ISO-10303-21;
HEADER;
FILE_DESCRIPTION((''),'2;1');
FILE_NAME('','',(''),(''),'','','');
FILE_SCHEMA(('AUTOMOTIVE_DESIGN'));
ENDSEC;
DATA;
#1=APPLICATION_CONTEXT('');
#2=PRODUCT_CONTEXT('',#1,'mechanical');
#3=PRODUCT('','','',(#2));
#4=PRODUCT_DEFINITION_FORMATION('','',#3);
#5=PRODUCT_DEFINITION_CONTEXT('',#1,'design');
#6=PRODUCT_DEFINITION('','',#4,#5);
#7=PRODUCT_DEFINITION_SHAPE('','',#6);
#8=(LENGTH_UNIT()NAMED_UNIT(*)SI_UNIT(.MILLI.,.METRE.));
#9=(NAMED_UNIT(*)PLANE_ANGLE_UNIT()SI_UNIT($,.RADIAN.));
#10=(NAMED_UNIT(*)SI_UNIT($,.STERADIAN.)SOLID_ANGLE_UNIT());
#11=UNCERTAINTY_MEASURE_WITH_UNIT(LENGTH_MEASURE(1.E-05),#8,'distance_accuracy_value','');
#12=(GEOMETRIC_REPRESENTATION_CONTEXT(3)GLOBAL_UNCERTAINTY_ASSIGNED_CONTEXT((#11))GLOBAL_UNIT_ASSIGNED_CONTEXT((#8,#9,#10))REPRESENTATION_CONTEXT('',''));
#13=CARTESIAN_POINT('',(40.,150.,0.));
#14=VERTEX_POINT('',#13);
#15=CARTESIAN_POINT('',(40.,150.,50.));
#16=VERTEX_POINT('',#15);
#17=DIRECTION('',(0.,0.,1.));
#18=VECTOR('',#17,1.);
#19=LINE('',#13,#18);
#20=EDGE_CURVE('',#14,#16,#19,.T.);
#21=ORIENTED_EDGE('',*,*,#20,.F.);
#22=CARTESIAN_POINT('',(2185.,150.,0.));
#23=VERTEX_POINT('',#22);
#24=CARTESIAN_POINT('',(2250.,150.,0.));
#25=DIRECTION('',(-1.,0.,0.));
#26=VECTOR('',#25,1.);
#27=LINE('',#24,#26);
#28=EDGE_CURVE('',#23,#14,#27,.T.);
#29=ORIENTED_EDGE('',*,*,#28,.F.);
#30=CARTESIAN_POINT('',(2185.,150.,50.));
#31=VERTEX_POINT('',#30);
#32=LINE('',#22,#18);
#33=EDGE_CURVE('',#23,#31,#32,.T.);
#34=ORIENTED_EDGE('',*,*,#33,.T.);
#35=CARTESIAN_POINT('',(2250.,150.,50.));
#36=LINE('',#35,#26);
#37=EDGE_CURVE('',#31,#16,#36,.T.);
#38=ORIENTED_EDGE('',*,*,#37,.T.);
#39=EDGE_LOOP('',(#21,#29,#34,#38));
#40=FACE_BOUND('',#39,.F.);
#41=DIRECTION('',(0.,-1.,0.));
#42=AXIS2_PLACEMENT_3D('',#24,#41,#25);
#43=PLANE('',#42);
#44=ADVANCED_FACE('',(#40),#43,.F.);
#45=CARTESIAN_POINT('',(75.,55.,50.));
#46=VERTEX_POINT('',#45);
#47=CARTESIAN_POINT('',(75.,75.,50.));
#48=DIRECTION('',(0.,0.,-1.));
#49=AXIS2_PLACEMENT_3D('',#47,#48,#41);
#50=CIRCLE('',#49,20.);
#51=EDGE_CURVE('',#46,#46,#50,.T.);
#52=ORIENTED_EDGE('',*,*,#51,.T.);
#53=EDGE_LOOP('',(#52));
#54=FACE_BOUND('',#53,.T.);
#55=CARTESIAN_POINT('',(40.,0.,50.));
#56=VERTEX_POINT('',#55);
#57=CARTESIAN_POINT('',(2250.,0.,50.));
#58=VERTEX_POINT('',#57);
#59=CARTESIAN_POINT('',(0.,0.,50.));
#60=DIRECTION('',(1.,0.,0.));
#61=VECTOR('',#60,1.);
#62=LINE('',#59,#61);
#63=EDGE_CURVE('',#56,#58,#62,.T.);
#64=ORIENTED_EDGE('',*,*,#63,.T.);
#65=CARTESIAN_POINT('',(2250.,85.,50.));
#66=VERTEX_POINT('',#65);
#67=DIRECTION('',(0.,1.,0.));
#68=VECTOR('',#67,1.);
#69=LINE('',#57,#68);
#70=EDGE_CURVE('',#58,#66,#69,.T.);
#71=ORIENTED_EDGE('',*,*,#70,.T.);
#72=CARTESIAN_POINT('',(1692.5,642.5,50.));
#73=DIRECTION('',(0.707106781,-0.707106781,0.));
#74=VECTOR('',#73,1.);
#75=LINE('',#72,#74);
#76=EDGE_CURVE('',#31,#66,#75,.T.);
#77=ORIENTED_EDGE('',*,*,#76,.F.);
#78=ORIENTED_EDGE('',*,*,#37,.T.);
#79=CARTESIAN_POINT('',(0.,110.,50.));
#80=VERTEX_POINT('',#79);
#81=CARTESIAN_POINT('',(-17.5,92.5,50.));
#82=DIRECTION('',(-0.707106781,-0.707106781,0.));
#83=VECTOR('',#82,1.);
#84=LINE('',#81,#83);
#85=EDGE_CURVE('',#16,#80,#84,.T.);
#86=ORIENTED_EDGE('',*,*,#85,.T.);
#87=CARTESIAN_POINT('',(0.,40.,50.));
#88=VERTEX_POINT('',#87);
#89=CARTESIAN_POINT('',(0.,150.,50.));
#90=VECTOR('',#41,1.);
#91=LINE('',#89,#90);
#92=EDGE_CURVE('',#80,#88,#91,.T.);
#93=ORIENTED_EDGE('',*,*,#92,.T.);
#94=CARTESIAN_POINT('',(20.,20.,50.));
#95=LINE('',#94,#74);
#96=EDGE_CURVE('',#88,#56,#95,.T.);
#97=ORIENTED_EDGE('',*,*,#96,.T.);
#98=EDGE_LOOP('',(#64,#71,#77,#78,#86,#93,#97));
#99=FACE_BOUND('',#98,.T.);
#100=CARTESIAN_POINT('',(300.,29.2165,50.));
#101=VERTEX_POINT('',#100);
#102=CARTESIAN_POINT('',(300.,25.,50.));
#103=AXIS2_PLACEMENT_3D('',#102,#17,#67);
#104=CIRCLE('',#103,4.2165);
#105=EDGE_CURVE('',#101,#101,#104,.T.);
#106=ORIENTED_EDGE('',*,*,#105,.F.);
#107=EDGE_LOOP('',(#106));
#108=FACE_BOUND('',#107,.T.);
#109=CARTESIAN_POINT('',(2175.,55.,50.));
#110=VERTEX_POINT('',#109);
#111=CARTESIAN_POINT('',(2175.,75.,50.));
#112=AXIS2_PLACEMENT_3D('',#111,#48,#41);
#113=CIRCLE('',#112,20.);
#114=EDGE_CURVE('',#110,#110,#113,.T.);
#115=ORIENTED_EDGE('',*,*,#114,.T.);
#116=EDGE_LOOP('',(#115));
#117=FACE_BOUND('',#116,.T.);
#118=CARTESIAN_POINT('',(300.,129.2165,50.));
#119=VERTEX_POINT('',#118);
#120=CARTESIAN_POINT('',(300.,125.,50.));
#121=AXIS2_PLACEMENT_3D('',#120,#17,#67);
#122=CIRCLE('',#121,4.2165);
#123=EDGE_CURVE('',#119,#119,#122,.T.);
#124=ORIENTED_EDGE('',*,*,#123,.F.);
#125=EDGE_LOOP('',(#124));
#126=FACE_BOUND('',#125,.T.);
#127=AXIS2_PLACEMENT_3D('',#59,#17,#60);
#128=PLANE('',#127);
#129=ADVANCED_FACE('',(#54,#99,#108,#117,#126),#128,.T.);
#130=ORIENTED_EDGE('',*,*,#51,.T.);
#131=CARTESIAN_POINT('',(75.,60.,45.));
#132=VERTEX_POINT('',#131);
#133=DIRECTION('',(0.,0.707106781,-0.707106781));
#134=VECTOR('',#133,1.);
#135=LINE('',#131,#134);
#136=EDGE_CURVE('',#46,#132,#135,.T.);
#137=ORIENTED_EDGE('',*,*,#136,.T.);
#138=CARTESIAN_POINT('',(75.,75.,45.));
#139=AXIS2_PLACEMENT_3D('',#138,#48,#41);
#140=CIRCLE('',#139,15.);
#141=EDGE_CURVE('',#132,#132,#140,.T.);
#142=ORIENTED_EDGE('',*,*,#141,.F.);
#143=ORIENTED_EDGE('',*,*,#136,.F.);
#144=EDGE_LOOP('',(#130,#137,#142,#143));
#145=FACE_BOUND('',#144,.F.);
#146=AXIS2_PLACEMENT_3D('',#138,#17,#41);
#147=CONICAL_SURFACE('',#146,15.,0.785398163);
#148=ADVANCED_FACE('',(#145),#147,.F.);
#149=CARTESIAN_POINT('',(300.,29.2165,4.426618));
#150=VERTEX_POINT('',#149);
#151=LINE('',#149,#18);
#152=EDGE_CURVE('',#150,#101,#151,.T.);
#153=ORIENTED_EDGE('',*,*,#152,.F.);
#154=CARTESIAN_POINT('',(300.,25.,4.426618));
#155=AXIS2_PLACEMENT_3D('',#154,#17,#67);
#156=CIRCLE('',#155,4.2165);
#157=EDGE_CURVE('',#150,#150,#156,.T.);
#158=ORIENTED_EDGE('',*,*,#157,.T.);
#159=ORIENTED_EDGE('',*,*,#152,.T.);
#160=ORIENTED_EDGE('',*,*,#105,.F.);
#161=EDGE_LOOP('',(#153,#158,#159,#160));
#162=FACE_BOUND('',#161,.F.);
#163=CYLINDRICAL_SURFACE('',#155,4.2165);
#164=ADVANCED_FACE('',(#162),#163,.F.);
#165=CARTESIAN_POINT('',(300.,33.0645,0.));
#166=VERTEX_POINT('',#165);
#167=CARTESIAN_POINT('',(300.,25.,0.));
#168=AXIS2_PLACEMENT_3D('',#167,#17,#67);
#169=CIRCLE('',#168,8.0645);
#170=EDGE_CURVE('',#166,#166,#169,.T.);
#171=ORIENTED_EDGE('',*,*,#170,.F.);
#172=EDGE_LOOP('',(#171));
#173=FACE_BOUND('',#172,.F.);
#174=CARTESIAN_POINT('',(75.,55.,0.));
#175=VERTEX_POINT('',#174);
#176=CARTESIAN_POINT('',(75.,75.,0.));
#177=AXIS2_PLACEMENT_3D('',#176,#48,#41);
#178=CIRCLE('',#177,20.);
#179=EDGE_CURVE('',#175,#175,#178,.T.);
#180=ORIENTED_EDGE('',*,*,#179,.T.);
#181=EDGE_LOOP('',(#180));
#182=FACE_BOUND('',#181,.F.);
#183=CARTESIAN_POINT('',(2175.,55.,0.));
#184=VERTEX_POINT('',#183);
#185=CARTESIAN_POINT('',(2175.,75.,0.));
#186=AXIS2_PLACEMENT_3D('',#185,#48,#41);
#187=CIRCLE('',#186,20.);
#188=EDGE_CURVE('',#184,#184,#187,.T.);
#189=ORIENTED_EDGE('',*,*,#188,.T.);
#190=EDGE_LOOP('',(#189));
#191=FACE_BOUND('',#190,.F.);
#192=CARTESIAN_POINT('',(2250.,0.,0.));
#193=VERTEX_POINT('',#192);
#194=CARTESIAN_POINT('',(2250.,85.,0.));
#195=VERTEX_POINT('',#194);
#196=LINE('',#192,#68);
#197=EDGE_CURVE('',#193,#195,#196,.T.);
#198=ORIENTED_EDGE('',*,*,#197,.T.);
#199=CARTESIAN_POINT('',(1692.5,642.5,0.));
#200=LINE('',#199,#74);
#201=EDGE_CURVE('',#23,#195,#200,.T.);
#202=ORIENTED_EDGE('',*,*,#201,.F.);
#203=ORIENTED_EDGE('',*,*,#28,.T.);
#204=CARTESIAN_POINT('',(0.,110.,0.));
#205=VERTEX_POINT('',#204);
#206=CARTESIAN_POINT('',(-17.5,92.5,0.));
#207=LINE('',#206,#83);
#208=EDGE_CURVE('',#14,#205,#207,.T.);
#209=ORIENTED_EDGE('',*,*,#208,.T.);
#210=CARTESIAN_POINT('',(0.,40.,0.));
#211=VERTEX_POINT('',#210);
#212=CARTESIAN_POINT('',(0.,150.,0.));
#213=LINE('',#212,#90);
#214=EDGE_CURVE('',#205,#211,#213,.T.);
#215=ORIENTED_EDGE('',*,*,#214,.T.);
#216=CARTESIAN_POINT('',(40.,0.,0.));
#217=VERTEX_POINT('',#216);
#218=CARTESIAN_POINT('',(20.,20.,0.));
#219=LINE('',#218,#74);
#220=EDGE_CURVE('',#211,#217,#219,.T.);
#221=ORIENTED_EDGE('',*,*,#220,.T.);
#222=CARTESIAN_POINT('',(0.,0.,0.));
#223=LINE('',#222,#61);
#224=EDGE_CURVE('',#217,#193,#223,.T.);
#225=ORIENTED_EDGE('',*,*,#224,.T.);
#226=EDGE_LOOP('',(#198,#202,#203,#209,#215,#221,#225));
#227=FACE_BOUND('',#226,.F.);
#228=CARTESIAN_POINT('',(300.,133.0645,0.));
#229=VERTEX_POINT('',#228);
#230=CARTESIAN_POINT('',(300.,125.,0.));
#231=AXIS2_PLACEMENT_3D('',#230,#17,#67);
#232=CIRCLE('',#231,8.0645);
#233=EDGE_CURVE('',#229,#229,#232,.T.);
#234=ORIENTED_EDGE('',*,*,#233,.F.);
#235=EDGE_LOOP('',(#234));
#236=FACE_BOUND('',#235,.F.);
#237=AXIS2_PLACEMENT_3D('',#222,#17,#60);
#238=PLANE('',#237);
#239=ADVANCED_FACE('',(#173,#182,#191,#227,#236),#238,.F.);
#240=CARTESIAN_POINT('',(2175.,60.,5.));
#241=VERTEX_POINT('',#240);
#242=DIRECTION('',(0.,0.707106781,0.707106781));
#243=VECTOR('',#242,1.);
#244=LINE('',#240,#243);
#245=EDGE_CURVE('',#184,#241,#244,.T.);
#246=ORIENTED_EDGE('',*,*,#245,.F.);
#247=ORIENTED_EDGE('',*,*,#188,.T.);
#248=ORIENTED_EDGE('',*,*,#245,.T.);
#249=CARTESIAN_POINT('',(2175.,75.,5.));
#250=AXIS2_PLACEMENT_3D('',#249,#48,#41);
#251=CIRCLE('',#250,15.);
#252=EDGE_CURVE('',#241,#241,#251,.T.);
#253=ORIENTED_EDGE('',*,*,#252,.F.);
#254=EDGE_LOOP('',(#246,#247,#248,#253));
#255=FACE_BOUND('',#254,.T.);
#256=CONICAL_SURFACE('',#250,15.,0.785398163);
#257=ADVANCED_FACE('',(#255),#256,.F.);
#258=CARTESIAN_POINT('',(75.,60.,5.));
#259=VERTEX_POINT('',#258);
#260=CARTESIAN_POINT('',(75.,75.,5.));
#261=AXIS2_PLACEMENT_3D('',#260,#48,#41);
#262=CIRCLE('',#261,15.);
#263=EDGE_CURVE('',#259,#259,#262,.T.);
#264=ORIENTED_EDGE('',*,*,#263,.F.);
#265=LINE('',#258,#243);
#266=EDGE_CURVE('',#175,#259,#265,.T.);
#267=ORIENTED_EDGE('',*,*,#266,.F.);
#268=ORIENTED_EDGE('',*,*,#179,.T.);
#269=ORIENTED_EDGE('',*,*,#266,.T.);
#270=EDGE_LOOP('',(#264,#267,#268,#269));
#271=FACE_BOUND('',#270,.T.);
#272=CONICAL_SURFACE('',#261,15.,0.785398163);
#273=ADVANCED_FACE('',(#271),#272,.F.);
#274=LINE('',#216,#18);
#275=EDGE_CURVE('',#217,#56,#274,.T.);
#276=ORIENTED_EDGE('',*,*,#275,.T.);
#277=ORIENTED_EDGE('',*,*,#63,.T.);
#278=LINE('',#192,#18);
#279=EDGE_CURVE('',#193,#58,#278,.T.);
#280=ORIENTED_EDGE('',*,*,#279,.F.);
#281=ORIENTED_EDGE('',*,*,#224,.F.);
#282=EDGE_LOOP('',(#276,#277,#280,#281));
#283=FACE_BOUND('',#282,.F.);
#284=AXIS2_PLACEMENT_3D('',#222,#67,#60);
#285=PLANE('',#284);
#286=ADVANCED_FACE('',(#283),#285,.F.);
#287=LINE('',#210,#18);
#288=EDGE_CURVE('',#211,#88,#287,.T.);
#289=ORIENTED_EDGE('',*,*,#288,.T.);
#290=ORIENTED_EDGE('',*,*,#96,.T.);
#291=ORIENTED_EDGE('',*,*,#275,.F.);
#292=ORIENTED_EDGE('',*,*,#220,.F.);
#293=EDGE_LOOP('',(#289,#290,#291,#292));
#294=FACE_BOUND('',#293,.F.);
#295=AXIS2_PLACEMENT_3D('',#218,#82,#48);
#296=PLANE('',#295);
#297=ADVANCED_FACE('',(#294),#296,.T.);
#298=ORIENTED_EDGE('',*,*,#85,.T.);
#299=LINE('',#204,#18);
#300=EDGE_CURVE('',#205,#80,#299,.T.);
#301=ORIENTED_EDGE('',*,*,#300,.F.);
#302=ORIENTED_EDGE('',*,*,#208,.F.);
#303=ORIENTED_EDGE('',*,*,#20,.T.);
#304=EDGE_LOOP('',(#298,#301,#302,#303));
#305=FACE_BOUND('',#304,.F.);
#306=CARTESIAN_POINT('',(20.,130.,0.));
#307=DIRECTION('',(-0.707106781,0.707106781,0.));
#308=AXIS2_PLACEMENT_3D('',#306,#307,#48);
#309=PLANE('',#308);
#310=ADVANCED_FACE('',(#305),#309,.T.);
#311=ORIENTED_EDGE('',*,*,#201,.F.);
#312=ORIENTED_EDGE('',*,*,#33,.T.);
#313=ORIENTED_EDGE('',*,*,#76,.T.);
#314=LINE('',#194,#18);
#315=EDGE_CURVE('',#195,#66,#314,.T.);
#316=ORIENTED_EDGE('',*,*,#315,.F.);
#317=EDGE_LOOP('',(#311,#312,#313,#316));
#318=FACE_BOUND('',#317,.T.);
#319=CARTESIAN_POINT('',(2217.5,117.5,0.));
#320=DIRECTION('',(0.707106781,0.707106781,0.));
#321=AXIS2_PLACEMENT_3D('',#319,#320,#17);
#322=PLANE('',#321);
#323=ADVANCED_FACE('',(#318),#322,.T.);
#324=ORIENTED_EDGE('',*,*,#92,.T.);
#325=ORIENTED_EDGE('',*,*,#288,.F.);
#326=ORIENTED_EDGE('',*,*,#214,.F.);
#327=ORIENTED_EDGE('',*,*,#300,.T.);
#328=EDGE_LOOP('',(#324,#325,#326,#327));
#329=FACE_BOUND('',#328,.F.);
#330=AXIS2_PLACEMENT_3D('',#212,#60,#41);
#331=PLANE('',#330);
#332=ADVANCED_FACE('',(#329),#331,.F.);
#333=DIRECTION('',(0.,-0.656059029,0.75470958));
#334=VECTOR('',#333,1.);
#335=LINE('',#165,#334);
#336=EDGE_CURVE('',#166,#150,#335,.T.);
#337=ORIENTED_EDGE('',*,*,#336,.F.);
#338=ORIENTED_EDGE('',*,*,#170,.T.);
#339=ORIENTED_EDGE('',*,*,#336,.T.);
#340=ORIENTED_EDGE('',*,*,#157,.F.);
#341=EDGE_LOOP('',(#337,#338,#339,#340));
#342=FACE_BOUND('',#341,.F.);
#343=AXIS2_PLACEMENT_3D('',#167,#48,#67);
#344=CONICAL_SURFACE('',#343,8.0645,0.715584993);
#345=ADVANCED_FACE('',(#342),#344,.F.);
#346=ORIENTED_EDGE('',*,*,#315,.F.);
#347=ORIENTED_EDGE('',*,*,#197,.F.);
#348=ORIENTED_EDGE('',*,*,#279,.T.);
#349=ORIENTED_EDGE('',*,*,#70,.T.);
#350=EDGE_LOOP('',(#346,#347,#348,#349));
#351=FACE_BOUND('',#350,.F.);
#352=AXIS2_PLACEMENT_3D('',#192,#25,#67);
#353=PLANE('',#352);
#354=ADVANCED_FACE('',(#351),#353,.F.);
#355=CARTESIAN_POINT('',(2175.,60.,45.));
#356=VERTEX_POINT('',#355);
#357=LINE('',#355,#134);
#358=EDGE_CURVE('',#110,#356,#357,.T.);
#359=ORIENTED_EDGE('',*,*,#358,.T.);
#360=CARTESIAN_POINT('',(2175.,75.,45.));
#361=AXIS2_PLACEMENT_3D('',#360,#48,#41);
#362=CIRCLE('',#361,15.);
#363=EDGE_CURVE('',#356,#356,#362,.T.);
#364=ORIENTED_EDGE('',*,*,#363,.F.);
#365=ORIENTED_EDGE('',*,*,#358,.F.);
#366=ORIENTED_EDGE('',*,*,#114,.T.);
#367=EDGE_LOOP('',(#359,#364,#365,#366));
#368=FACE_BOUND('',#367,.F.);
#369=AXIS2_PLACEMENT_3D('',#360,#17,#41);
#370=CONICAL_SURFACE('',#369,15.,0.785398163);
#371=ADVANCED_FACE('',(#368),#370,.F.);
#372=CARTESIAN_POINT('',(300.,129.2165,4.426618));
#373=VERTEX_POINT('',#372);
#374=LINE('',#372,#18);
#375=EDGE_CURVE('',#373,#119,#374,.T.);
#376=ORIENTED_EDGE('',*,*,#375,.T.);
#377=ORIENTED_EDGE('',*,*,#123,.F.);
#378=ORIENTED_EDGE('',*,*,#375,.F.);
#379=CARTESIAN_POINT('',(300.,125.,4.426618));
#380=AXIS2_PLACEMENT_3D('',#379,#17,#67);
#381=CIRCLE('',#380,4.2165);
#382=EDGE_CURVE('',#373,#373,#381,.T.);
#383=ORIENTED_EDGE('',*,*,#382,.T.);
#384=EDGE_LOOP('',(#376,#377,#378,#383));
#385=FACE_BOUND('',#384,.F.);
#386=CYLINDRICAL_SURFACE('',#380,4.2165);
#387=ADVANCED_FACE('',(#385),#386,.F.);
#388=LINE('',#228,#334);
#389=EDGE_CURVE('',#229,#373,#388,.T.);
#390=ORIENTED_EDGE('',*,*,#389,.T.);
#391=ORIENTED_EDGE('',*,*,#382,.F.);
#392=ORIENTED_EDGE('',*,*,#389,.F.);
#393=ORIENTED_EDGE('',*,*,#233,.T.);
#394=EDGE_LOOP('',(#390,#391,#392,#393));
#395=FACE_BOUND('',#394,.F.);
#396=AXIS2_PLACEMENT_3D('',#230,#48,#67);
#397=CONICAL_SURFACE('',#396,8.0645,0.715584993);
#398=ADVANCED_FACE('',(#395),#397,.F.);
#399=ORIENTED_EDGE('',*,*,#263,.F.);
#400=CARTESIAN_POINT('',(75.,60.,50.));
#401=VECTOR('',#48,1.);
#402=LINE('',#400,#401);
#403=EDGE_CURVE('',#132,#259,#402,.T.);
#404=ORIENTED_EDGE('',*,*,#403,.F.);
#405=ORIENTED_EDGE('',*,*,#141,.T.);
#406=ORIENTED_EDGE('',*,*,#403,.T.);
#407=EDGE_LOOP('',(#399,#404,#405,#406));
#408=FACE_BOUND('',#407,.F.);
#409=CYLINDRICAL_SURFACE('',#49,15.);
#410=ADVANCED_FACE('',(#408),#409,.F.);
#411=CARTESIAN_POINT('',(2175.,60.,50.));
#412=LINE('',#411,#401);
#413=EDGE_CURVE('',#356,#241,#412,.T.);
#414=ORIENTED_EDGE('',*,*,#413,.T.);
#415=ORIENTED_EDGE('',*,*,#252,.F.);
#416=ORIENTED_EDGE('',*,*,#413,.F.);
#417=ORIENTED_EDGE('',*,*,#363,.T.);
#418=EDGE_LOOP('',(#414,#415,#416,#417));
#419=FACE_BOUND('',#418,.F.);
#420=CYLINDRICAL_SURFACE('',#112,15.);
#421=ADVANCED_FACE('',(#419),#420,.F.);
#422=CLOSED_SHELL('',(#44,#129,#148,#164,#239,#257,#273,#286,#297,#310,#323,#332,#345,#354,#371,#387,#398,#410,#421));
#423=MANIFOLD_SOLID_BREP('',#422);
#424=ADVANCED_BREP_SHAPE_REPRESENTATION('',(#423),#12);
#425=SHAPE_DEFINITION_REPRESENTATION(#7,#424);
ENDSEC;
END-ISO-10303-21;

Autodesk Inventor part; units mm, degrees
ref_plane "YZ Plane" through (0, 0, 0) normal (1, 0, 0) x (0, 1, 0)
ref_plane "XZ Plane" through (0, 0, 0) normal (0, 1, 0) x (-1, 0, 0)
ref_plane "XY Plane" through (0, 0, 0) normal (0, 0, 1) x (1, 0, 0)
sketch "Sketch1" plane through (0, 0, 0) normal (0, 0, 1) x (1, 0, 0)
  line L0 (0, 0) -> (2250, 0)
  line L1 (2250, 0) -> (2250, 150)
  line L2 (2250, 150) -> (0, 150)
  line L3 (0, 150) -> (0, 0)
  dimension "d0" = 150
  dimension "d1" = 2250
extrude "Extrusion1" add sketch "Sketch1" along normal blind 50
sketch "Sketch2" plane through (0, 0, 50) normal (0, 0, 1) x (1, 0, 0)
  line L0 (0, 150) -> (0, 0) projected
  line L1 (2250, 0) -> (2250, 150) projected
  point P0 (75, 75)
  point P1 (2175, 75)
  point P2 (0, 75)
  dimension "d4" = 75
  dimension "d5" = 75
hole "Hole1" at (75, 75, 50) at (2175, 75, 50) direction (0, 0, -1) diameter 30 end through all
chamfer "Chamfer1" distance 5 angle 45 4 edges at (75, 90, 50) (2175, 90, 50) (75, 90, 0) (2175, 90, 0)
chamfer "Chamfer2" distance 65 angle 45 1 edges at (2250, 150, 25) measured on face at (2250, 50, 16.6667)
chamfer "Chamfer3" distance 40 angle 45 2 edges at (0, 150, 25) (0, 0, 25)
sketch "Sketch3" plane through (0, 0, 0) normal (0, 0, -1) x (-1, 0, 0)
  line L0 (-40, 0) -> (-2250, 0) projected
  line L1 (-2185, 150) -> (-40, 150) projected
  line L2 (0, 110) -> (0, 40) projected
  point P0 (0, 0)
  point P1 (-300, 25)
  point P2 (-300, 125)
  dimension "d22" = 25
  dimension "d23" = 25
  dimension "d24" = 300
hole "Hole2" at (300, 25, 0) at (300, 125, 0) direction (0, 0, 1) diameter 8.433 end through all countersink diameter 16.129 countersink angle 82 clearance for "Flat Head Machine Screw (82)" size "5/16" standard "Ansi Unified Screw Threads"
equation "\"d23\" = d22"
properties part number "Top_Rear Plank_LHS" material "Wood (Birch)"
